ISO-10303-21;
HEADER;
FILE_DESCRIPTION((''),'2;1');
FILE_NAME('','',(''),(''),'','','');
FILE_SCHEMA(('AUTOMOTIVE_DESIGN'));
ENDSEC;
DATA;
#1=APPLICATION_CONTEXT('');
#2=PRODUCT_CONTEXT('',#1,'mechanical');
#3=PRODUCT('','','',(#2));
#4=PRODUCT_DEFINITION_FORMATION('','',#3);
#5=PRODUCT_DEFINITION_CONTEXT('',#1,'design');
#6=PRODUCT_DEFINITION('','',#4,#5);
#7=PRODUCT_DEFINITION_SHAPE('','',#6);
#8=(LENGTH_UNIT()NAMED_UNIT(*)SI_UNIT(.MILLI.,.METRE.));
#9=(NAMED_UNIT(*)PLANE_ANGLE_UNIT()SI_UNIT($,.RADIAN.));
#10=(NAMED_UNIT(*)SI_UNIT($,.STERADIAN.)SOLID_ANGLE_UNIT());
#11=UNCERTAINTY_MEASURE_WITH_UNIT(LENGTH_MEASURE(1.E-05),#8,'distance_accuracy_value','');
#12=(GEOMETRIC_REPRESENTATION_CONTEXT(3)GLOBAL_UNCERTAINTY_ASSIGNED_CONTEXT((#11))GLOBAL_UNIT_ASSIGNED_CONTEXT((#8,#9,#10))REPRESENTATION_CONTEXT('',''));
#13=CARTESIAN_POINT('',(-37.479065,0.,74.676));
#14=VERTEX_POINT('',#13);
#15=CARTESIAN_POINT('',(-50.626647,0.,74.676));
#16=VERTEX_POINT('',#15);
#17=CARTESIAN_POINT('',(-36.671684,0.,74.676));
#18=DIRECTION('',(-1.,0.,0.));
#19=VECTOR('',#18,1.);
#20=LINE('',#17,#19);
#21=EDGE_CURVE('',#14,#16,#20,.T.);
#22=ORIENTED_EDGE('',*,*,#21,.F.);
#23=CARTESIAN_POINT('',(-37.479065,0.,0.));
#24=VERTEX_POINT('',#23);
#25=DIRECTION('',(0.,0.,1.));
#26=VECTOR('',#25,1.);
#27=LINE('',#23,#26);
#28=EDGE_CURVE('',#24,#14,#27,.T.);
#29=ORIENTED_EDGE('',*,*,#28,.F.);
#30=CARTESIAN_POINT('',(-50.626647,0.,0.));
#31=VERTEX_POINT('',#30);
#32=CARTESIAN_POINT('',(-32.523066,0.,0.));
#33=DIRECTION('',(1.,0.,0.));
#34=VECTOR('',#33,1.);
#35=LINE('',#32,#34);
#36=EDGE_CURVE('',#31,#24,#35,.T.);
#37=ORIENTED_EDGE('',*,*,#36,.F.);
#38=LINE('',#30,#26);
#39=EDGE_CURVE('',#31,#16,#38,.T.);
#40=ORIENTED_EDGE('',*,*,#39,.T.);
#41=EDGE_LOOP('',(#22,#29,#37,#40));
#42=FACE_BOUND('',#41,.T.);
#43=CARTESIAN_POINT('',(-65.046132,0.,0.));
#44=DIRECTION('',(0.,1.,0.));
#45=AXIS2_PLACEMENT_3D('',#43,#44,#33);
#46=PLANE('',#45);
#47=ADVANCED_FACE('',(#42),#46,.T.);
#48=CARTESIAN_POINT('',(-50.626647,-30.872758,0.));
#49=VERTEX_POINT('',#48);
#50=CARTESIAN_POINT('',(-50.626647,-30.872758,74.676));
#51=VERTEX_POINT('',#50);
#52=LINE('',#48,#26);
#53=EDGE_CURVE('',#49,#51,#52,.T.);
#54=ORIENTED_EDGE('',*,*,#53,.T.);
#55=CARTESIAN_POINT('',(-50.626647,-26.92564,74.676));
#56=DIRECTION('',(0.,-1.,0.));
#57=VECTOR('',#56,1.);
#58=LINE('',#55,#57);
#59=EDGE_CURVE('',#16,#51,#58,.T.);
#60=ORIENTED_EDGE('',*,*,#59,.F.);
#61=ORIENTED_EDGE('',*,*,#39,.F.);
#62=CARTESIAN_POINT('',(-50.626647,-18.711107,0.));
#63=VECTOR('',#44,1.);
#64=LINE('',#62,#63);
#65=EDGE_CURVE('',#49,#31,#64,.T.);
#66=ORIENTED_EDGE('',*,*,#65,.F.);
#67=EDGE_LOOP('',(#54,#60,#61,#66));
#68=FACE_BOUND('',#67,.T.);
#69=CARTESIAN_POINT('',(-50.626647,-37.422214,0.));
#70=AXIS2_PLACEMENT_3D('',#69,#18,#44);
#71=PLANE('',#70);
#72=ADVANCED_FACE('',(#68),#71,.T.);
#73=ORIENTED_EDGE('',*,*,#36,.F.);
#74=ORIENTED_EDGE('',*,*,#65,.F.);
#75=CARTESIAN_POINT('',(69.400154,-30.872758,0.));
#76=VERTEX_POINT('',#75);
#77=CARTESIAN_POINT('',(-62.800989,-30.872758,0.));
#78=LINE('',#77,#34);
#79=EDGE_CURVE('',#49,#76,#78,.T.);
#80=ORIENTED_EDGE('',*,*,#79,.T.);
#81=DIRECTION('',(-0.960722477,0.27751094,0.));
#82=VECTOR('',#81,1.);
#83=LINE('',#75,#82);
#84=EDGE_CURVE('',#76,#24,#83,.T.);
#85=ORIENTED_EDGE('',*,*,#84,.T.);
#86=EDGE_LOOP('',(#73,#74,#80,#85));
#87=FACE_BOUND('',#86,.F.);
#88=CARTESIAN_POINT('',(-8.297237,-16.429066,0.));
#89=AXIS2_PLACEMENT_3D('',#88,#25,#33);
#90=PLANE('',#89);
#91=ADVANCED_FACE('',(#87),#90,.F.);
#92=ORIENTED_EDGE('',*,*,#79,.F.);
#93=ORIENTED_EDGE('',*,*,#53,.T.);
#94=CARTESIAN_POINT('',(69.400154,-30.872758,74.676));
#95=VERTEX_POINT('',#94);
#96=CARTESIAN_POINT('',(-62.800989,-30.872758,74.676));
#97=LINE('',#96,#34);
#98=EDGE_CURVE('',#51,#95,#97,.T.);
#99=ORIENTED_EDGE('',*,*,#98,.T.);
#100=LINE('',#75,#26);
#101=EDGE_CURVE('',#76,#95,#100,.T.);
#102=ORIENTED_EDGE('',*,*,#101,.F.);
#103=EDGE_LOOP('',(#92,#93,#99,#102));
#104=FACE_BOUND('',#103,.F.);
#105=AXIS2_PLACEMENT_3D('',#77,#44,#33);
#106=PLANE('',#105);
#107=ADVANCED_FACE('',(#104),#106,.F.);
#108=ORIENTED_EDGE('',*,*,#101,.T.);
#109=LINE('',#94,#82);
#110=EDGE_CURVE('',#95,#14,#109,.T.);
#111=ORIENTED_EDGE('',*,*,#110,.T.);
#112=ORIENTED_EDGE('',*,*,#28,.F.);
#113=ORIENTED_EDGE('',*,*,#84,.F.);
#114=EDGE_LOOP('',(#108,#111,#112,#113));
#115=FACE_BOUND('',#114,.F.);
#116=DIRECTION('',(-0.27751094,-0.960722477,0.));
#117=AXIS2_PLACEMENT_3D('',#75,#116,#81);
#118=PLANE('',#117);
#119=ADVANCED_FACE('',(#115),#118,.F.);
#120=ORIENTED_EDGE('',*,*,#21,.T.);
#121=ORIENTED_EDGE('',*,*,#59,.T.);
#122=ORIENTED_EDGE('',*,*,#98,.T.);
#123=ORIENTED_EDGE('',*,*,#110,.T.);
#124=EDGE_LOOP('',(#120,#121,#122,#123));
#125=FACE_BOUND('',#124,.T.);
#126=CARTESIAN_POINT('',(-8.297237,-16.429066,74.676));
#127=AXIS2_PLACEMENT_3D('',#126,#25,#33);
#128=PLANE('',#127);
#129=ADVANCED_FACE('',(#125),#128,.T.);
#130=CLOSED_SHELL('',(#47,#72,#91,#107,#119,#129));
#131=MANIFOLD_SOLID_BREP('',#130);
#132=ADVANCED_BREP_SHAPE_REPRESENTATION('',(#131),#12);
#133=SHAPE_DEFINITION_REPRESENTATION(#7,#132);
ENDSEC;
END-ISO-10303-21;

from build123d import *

# Parameters (mm, degrees)
F1_DEPTH = 74.676
F2_W     = 65.046132
F2_H     = 38.793292
F3_DEPTH = 123.19
F4_W     = 75.36434
F4_H     = 42.812191
F5_DEPTH = 78.74
F6_W     = 15.368398
F6_H     = 37.422214
F7_DEPTH = 116.84


with BuildPart() as f1:
    # F0 (on Top) → F1 (new body)
    with BuildSketch(Plane.XY):
        Polygon((-37.479065, 17.799251), (-62.800989, 17.799251), (-62.800989, -30.872758), (69.400154, -30.872758), (-37.479065, 0), align=None)
    extrude(amount=F1_DEPTH)

    # F2 (on Top) → F3 (cut)
    with BuildSketch(Plane.XY):
        with Locations((-32.523066, 19.396646)):
            Rectangle(F2_W, F2_H)
    extrude(amount=F3_DEPTH, mode=Mode.SUBTRACT)

    # F4 (on Top) → F5 (cut)
    with BuildSketch(Plane.XY):
        with Locations((-96.438488, -21.406095)):
            Rectangle(F4_W, F4_H)
    extrude(amount=F5_DEPTH, mode=Mode.SUBTRACT)

    # F6 (on Top) → F7 (cut)
    with BuildSketch(Plane.XY):
        with Locations((-58.310846, -18.711107)):
            Rectangle(F6_W, F6_H)
    extrude(amount=F7_DEPTH, mode=Mode.SUBTRACT)


solid = f1.part
